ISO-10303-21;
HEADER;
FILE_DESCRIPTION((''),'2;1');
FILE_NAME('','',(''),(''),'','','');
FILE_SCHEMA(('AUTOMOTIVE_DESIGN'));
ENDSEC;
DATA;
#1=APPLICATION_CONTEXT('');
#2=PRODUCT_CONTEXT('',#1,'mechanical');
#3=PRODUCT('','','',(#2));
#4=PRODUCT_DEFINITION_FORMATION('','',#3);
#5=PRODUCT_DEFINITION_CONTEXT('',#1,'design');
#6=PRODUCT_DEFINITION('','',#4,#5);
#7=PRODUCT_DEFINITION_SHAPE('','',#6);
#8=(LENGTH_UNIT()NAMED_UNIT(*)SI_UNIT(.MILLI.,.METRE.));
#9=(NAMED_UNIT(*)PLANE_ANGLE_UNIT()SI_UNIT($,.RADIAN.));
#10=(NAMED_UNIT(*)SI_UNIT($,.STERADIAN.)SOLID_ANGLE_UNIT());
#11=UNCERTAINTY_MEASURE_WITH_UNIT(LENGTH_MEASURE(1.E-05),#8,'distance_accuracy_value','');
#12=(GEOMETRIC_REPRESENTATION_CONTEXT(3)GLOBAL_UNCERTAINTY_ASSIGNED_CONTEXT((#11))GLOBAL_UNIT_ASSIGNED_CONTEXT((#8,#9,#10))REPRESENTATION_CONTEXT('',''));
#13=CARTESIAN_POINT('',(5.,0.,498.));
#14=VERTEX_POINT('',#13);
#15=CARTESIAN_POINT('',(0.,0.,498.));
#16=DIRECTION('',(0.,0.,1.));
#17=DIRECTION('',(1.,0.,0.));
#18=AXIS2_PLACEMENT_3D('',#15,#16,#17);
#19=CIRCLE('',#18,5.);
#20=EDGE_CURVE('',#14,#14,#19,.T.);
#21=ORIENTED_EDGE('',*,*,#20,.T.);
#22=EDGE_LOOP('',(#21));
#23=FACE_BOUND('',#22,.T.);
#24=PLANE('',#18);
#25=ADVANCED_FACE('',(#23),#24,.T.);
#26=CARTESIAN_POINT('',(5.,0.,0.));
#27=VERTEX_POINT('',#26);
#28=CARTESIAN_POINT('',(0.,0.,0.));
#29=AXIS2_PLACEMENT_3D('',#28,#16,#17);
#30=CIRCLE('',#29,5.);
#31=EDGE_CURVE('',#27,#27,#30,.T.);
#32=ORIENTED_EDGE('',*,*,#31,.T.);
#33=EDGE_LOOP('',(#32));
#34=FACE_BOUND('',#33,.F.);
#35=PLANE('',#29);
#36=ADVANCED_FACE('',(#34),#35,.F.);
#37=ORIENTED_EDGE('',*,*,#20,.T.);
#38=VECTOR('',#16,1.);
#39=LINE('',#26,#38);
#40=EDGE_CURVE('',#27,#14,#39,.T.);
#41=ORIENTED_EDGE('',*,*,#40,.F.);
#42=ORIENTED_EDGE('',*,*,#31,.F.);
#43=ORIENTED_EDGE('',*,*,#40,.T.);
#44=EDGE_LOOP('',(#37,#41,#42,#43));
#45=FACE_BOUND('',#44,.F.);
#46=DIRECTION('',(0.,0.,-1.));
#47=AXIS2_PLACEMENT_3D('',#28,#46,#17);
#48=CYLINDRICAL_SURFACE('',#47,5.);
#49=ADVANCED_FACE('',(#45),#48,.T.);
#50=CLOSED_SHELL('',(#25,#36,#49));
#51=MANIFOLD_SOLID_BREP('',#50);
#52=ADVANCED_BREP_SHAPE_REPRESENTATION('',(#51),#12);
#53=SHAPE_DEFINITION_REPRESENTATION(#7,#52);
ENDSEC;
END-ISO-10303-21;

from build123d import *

# Parameters (mm, degrees)
SKETCH_R  = 5
PAD_DEPTH = 498


with BuildPart() as part:
    # Sketch → Pad (new body)
    with BuildSketch(Plane.XY):
        Circle(SKETCH_R)
    extrude(amount=PAD_DEPTH)


solid = part.part
